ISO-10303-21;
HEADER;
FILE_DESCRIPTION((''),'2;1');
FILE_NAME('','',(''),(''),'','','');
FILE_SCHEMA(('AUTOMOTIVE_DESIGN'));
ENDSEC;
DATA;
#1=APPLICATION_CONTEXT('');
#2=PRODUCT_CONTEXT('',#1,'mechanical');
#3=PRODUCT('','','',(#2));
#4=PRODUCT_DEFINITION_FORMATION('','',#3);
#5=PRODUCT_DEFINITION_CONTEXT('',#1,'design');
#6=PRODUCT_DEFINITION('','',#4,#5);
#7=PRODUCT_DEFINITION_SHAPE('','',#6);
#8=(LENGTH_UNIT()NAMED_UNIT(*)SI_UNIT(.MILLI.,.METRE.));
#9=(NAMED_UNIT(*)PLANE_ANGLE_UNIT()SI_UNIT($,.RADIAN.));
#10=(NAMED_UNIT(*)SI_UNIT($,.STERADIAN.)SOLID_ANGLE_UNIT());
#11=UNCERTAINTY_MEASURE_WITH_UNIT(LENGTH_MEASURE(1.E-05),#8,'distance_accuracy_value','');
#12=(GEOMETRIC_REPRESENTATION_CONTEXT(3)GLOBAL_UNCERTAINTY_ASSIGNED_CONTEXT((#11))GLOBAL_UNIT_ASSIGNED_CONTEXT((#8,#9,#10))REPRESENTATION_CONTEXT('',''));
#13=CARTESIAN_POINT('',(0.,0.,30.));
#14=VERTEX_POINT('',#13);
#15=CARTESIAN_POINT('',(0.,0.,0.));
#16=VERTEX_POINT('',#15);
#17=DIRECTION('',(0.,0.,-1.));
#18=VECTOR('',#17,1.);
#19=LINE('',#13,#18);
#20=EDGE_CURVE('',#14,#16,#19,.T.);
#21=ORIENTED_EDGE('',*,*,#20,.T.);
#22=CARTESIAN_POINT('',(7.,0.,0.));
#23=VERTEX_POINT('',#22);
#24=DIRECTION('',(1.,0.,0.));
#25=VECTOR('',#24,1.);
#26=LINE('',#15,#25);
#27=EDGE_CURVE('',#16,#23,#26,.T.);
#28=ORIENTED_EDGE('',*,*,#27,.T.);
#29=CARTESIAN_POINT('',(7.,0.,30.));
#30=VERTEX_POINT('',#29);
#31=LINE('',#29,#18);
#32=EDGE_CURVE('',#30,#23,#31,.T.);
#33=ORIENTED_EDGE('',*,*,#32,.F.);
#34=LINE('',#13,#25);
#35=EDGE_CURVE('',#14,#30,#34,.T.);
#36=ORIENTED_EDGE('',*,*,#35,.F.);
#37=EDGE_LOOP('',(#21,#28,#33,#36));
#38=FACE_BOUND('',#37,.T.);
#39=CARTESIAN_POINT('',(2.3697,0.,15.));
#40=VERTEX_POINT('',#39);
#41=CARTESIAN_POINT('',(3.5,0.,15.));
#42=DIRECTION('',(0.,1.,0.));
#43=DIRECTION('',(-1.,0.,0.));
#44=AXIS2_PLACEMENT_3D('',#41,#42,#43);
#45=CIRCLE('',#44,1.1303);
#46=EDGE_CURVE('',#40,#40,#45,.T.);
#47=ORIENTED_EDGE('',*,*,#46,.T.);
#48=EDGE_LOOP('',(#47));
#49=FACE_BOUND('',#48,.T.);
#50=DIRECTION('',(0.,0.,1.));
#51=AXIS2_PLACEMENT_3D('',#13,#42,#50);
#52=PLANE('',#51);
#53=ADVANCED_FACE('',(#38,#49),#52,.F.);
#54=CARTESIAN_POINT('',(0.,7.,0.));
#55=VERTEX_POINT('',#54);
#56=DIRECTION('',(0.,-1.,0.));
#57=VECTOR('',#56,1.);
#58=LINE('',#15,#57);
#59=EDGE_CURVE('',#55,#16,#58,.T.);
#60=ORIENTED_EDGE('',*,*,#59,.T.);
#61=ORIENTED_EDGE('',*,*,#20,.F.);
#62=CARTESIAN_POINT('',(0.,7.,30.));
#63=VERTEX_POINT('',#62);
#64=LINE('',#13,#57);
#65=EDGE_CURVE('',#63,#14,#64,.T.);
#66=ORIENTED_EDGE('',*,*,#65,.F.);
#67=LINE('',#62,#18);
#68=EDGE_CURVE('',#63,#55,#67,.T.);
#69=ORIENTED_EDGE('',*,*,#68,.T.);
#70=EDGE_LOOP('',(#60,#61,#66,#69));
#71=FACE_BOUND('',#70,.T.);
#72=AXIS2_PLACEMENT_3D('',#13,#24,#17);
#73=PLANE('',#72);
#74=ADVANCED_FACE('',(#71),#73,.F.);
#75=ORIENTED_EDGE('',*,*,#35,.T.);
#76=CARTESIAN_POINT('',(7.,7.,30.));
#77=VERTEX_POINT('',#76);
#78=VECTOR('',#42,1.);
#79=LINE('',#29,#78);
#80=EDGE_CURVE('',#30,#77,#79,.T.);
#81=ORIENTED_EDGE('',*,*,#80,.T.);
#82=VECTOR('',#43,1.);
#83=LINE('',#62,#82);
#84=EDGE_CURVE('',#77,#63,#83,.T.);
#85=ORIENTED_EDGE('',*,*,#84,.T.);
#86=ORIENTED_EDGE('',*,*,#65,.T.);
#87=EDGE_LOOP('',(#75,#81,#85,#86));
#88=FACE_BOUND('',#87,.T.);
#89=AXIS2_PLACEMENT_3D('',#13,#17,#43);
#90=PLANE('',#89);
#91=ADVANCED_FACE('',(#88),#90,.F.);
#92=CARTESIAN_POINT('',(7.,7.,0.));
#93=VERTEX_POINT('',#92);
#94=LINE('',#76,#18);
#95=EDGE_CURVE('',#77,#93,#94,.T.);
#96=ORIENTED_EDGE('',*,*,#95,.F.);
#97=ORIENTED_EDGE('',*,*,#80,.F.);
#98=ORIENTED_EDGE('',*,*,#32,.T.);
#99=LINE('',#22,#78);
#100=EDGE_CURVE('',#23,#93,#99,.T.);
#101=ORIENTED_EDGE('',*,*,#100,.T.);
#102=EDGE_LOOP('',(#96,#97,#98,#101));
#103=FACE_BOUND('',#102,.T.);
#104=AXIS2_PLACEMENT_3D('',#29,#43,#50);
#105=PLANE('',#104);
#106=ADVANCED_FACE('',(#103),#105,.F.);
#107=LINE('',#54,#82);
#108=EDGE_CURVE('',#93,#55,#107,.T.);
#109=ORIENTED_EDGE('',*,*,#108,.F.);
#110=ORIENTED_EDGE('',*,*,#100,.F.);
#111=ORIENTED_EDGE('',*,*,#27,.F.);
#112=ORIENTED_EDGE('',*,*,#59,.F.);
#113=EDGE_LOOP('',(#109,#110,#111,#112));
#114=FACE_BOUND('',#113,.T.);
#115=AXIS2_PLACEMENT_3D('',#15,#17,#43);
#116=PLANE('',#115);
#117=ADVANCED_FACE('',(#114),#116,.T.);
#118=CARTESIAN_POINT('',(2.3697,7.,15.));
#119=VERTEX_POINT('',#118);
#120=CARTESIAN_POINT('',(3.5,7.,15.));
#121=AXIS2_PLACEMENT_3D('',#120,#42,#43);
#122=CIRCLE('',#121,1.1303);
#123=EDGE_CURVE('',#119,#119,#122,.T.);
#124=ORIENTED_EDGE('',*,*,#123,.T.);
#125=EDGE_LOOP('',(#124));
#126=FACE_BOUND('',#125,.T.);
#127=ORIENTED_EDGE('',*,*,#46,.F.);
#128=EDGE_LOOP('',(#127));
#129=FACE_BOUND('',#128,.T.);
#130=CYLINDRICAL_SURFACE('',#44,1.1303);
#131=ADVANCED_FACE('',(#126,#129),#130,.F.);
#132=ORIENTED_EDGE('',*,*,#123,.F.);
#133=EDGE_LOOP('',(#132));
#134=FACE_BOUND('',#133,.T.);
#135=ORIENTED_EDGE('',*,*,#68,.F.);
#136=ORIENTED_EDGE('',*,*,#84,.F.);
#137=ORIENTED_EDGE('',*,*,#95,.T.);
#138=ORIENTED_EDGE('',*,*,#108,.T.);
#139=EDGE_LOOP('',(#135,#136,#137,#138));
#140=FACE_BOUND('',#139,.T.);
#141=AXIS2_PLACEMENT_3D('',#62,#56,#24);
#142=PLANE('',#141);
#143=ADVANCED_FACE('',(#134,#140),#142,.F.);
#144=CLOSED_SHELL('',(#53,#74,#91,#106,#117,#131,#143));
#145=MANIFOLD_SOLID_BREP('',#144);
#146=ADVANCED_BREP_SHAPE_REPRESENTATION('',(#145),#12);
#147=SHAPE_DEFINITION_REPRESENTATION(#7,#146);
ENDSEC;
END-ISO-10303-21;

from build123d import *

# Parameters (mm, degrees)
SKETCH1_W           = 7
SKETCH1_H           = 7
BOSS_EXTRUDE1_DEPTH = 30
SKETCH4_R           = 1.1303
CUT_EXTRUDE3_DEPTH  = 32.591137998


with BuildPart() as part:
    # Sketch1 → Boss-Extrude1 (new body)
    with BuildSketch(Plane.XY):
        with Locations((3.5, 3.5)):
            Rectangle(SKETCH1_W, SKETCH1_H)
    extrude(amount=BOSS_EXTRUDE1_DEPTH)

    # Sketch4 → Cut-Extrude3 (cut, through all)
    with BuildSketch(Plane(origin=(0, 7, 0), x_dir=(1, 0, 0), z_dir=(0, 1, 0))):
        with Locations(Location((3.5, -15, 0), (0, 0, 180))):
            Circle(SKETCH4_R)
    extrude(amount=-CUT_EXTRUDE3_DEPTH, mode=Mode.SUBTRACT)


solid = part.part
